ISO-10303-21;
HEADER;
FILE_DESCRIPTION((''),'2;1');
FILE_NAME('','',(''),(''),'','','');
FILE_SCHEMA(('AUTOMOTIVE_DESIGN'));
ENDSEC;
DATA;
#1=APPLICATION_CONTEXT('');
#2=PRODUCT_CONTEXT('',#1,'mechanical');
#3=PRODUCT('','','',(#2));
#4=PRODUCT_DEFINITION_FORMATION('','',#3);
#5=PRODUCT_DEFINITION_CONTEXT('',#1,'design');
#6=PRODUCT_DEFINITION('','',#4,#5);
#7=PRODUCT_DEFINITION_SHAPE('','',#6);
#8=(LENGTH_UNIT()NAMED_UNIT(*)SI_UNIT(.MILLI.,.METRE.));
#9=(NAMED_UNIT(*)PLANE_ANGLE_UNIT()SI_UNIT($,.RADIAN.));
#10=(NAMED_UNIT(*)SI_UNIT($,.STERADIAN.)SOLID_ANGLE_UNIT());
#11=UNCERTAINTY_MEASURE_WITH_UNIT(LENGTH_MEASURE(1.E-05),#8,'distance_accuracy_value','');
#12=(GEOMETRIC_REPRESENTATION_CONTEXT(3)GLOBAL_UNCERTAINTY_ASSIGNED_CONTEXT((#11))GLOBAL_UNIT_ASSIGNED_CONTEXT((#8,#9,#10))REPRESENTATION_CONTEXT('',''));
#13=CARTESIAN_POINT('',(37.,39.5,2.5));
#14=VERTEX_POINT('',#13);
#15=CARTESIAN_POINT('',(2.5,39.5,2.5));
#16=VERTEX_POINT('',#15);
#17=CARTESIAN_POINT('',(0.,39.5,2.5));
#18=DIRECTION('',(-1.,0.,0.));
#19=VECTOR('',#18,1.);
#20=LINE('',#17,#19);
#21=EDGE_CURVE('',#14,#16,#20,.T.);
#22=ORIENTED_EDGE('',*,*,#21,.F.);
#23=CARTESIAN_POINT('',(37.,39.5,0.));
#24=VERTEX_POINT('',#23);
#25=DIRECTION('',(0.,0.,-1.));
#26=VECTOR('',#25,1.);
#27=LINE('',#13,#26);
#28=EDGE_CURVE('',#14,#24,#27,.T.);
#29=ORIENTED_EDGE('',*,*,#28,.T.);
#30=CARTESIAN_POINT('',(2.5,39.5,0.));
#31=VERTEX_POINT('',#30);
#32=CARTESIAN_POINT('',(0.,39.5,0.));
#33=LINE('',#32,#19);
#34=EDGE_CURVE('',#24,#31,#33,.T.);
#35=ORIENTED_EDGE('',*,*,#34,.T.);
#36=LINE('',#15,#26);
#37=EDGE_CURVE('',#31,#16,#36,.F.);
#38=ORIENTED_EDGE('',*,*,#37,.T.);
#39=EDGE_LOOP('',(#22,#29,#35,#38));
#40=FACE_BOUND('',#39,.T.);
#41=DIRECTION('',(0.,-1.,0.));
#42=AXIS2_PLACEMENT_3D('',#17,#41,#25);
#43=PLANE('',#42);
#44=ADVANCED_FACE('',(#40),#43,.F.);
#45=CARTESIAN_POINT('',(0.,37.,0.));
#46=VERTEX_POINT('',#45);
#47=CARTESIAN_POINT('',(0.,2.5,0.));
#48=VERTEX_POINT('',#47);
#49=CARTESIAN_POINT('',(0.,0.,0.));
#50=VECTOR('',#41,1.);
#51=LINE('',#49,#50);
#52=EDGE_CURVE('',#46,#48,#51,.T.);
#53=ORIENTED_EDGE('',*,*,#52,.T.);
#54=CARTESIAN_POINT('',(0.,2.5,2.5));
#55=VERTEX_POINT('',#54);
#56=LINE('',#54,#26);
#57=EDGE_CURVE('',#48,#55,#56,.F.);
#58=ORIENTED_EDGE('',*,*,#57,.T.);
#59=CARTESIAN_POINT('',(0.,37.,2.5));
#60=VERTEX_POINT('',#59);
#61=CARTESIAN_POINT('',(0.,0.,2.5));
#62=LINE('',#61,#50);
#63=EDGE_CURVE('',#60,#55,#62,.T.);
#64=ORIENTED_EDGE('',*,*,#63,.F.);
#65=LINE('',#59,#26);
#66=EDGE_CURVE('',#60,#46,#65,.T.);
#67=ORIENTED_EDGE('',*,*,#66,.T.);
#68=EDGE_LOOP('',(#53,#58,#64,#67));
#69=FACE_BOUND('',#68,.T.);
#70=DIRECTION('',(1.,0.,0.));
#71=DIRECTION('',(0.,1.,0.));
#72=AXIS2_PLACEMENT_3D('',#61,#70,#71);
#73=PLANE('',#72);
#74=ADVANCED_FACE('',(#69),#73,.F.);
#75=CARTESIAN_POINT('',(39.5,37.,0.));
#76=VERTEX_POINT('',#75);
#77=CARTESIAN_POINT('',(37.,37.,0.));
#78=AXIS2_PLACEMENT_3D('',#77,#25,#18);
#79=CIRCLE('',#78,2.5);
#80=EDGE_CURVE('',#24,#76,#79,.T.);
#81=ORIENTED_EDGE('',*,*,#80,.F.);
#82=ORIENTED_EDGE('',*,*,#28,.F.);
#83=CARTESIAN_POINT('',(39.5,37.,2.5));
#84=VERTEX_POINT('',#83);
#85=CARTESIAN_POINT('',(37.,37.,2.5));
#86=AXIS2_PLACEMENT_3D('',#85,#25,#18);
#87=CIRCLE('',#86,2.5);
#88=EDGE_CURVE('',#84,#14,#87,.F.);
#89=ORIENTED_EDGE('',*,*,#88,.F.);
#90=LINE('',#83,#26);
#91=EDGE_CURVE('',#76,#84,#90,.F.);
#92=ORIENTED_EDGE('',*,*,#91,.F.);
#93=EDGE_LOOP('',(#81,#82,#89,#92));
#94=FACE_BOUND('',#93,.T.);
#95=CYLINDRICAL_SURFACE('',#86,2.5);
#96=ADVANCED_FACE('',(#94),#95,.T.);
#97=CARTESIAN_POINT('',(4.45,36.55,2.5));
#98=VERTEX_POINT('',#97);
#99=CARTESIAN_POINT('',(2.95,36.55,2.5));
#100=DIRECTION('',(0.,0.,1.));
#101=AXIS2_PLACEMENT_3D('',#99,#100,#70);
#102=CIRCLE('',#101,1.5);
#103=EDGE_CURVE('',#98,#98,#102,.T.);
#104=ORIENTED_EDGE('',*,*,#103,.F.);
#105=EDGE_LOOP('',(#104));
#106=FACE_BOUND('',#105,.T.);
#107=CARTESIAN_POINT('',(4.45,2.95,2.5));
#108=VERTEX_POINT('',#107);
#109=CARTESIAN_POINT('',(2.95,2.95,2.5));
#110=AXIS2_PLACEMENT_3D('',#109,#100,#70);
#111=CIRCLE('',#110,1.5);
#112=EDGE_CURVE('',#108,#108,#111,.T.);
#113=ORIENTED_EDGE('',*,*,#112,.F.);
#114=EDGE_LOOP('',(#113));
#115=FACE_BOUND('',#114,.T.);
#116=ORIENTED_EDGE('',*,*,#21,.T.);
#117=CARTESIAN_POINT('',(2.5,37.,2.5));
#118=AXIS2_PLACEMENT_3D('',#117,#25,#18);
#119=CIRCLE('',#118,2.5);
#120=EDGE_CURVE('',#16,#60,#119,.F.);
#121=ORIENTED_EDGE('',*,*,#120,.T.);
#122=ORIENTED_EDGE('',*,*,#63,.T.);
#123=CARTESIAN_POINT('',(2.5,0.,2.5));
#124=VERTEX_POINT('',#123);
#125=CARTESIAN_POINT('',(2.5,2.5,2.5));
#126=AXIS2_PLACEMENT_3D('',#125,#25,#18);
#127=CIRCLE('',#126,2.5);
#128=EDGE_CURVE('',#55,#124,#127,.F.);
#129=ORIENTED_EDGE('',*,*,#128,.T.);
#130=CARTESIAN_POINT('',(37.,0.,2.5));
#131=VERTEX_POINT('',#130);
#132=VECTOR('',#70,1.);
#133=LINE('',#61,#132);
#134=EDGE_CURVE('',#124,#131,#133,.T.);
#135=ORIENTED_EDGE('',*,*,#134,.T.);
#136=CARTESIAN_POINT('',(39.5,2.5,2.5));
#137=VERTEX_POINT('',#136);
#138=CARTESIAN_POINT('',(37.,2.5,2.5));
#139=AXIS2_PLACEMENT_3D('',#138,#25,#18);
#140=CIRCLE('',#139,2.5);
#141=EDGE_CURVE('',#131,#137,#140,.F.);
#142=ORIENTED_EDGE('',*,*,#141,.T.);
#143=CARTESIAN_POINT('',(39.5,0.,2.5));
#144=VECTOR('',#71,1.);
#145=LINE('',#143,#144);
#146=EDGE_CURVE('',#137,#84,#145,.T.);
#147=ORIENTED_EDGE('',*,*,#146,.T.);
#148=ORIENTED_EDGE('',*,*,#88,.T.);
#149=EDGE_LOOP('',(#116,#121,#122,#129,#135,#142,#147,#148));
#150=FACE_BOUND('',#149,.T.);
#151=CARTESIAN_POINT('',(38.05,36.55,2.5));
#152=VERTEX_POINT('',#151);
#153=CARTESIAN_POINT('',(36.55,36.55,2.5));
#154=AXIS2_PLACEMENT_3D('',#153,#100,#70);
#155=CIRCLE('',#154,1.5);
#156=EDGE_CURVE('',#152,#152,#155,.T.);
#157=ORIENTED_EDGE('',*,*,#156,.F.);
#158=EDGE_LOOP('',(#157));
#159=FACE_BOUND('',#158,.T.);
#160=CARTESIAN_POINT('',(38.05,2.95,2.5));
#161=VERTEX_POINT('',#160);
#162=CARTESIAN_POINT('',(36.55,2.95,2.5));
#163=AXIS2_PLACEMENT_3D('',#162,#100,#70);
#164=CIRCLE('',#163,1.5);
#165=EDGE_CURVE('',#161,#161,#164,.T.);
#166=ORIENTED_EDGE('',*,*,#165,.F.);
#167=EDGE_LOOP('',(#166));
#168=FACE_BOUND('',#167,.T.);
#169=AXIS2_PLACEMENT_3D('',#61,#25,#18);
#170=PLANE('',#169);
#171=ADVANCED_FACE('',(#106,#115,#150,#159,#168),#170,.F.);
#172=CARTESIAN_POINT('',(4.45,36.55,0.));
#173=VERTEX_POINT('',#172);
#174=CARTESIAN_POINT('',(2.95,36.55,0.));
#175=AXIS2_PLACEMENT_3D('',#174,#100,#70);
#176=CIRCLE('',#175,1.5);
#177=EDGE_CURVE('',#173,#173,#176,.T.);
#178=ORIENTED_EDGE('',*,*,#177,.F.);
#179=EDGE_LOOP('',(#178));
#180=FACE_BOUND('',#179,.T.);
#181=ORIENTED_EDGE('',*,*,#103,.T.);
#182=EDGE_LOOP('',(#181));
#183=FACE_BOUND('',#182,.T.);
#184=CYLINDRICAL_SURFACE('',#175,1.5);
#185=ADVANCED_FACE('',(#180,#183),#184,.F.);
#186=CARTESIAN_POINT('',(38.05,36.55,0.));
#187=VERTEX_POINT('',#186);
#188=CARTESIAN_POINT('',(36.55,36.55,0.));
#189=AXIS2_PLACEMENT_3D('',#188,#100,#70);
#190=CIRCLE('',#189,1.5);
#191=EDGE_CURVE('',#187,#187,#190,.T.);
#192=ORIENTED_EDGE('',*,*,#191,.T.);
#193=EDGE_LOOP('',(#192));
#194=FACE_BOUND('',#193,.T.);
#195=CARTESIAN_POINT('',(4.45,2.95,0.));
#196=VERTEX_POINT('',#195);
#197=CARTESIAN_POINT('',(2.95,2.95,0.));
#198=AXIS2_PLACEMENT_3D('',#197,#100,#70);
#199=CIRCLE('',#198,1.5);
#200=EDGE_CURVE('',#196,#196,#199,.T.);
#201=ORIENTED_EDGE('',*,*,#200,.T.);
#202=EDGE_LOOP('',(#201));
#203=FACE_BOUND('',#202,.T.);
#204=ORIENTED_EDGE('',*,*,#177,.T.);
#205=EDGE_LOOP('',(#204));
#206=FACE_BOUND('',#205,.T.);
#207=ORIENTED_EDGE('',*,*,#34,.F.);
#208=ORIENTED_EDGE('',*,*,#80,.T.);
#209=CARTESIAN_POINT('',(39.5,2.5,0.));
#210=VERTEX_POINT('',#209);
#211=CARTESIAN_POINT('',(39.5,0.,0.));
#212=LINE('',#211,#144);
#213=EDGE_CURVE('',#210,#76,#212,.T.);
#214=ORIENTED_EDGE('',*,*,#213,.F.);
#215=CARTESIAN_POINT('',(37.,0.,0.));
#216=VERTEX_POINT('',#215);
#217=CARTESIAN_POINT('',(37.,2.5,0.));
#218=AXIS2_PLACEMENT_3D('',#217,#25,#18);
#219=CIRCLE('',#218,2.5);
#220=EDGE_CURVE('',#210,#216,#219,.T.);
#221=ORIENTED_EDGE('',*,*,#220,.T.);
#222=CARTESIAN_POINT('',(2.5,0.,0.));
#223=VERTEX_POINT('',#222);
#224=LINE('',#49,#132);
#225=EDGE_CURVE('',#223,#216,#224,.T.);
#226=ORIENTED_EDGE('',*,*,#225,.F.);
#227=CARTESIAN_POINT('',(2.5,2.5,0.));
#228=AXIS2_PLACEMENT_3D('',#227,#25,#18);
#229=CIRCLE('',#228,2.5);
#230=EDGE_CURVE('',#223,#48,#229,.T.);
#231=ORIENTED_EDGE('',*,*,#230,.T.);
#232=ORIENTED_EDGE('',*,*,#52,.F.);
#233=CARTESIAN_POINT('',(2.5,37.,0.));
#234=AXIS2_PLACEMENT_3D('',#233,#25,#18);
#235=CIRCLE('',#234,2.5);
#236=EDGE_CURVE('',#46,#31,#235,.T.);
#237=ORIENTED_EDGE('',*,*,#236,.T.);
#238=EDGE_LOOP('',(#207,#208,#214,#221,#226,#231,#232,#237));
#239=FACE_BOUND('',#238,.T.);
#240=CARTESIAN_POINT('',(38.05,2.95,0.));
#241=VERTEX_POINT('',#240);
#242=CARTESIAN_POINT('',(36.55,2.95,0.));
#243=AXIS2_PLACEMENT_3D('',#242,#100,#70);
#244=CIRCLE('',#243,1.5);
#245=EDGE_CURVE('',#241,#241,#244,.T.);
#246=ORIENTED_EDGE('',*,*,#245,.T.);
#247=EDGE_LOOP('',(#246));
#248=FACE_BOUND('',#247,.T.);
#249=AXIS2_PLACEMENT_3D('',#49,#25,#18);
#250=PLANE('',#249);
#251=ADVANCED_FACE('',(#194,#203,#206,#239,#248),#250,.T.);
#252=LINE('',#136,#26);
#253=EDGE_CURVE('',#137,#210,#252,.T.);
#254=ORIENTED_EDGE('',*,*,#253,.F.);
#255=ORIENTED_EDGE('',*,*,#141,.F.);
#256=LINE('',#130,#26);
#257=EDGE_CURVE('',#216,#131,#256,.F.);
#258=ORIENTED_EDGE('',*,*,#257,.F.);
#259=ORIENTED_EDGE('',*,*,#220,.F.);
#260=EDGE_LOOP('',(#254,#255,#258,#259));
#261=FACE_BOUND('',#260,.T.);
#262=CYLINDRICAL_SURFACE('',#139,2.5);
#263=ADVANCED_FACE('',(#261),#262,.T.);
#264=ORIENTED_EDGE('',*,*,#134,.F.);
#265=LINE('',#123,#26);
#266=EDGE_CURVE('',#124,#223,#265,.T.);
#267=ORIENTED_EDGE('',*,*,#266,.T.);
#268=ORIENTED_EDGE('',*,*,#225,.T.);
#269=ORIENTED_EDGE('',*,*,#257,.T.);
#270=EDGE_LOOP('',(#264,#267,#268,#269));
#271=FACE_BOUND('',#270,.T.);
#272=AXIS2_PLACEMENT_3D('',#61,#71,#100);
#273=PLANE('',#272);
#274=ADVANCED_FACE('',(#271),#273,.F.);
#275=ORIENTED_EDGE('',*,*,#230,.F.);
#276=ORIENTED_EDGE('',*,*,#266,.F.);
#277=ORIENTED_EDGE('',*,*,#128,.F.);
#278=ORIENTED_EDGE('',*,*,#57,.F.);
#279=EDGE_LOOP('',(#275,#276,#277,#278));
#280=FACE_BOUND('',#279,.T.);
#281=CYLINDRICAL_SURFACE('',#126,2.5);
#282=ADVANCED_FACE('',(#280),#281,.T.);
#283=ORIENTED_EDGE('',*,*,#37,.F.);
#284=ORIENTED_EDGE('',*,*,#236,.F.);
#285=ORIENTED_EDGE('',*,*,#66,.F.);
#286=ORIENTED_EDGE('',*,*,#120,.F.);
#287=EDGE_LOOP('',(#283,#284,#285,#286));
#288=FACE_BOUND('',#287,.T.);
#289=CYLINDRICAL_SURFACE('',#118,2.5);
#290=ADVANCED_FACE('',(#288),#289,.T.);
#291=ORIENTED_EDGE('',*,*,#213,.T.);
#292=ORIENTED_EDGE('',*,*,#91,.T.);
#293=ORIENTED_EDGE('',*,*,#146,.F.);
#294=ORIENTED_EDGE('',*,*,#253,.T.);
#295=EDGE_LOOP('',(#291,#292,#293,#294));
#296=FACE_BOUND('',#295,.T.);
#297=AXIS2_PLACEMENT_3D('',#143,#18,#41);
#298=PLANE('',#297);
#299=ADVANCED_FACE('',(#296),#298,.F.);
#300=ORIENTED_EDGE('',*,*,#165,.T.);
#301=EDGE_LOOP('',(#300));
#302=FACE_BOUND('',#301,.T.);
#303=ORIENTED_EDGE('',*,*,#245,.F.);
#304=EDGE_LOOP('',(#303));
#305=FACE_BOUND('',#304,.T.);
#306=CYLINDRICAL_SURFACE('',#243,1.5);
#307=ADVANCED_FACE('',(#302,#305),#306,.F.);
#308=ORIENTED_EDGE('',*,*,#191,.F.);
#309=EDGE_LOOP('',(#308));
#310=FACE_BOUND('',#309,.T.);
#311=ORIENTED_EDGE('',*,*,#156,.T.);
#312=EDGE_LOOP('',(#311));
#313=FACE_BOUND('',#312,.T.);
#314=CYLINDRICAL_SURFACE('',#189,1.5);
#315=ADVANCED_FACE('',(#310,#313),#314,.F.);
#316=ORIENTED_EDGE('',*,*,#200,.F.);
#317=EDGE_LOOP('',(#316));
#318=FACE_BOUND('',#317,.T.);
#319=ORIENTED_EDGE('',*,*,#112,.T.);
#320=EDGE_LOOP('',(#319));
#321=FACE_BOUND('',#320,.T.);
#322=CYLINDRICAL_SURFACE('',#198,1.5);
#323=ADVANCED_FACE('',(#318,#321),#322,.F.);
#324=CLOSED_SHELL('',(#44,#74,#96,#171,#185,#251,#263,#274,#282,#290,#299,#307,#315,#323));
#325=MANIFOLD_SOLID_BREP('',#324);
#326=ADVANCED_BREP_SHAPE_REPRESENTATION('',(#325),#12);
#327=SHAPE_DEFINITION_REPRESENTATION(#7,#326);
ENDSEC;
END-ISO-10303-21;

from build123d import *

# Parameters (mm, degrees)
SKETCH1_W           = 39.5
SKETCH1_H           = 39.5
BOSS_EXTRUDE1_DEPTH = 2.5
SKETCH2_R           = 1.5
CUT_EXTRUDE1_DEPTH  = 2.5
FILLET1_R           = 2.5


with BuildPart() as part:
    # Sketch1 → Boss-Extrude1 (new body)
    with BuildSketch(Plane.XY):
        with Locations((19.75, 19.75)):
            Rectangle(SKETCH1_W, SKETCH1_H)
    extrude(amount=BOSS_EXTRUDE1_DEPTH)

    # Sketch2 → Cut-Extrude1 (cut)
    with BuildSketch(Plane.XY.offset(2.5)):
        with Locations((2.95, 36.55)):
            Circle(SKETCH2_R)
        with Locations((36.55, 36.55)):
            Circle(SKETCH2_R)
        with Locations((36.55, 2.95)):
            Circle(SKETCH2_R)
        with Locations((2.95, 2.95)):
            Circle(SKETCH2_R)
    extrude(amount=-CUT_EXTRUDE1_DEPTH, mode=Mode.SUBTRACT)

    # Fillet1
    fillet1_edges = [part.edges().sort_by_distance(p)[0] for p in [
        (0, 39.5, 1.25),
        (39.5, 39.5, 1.25),
        (39.5, 0, 1.25),
        (0, 0, 1.25),
    ]]
    fillet(fillet1_edges, radius=FILLET1_R)


solid = part.part
